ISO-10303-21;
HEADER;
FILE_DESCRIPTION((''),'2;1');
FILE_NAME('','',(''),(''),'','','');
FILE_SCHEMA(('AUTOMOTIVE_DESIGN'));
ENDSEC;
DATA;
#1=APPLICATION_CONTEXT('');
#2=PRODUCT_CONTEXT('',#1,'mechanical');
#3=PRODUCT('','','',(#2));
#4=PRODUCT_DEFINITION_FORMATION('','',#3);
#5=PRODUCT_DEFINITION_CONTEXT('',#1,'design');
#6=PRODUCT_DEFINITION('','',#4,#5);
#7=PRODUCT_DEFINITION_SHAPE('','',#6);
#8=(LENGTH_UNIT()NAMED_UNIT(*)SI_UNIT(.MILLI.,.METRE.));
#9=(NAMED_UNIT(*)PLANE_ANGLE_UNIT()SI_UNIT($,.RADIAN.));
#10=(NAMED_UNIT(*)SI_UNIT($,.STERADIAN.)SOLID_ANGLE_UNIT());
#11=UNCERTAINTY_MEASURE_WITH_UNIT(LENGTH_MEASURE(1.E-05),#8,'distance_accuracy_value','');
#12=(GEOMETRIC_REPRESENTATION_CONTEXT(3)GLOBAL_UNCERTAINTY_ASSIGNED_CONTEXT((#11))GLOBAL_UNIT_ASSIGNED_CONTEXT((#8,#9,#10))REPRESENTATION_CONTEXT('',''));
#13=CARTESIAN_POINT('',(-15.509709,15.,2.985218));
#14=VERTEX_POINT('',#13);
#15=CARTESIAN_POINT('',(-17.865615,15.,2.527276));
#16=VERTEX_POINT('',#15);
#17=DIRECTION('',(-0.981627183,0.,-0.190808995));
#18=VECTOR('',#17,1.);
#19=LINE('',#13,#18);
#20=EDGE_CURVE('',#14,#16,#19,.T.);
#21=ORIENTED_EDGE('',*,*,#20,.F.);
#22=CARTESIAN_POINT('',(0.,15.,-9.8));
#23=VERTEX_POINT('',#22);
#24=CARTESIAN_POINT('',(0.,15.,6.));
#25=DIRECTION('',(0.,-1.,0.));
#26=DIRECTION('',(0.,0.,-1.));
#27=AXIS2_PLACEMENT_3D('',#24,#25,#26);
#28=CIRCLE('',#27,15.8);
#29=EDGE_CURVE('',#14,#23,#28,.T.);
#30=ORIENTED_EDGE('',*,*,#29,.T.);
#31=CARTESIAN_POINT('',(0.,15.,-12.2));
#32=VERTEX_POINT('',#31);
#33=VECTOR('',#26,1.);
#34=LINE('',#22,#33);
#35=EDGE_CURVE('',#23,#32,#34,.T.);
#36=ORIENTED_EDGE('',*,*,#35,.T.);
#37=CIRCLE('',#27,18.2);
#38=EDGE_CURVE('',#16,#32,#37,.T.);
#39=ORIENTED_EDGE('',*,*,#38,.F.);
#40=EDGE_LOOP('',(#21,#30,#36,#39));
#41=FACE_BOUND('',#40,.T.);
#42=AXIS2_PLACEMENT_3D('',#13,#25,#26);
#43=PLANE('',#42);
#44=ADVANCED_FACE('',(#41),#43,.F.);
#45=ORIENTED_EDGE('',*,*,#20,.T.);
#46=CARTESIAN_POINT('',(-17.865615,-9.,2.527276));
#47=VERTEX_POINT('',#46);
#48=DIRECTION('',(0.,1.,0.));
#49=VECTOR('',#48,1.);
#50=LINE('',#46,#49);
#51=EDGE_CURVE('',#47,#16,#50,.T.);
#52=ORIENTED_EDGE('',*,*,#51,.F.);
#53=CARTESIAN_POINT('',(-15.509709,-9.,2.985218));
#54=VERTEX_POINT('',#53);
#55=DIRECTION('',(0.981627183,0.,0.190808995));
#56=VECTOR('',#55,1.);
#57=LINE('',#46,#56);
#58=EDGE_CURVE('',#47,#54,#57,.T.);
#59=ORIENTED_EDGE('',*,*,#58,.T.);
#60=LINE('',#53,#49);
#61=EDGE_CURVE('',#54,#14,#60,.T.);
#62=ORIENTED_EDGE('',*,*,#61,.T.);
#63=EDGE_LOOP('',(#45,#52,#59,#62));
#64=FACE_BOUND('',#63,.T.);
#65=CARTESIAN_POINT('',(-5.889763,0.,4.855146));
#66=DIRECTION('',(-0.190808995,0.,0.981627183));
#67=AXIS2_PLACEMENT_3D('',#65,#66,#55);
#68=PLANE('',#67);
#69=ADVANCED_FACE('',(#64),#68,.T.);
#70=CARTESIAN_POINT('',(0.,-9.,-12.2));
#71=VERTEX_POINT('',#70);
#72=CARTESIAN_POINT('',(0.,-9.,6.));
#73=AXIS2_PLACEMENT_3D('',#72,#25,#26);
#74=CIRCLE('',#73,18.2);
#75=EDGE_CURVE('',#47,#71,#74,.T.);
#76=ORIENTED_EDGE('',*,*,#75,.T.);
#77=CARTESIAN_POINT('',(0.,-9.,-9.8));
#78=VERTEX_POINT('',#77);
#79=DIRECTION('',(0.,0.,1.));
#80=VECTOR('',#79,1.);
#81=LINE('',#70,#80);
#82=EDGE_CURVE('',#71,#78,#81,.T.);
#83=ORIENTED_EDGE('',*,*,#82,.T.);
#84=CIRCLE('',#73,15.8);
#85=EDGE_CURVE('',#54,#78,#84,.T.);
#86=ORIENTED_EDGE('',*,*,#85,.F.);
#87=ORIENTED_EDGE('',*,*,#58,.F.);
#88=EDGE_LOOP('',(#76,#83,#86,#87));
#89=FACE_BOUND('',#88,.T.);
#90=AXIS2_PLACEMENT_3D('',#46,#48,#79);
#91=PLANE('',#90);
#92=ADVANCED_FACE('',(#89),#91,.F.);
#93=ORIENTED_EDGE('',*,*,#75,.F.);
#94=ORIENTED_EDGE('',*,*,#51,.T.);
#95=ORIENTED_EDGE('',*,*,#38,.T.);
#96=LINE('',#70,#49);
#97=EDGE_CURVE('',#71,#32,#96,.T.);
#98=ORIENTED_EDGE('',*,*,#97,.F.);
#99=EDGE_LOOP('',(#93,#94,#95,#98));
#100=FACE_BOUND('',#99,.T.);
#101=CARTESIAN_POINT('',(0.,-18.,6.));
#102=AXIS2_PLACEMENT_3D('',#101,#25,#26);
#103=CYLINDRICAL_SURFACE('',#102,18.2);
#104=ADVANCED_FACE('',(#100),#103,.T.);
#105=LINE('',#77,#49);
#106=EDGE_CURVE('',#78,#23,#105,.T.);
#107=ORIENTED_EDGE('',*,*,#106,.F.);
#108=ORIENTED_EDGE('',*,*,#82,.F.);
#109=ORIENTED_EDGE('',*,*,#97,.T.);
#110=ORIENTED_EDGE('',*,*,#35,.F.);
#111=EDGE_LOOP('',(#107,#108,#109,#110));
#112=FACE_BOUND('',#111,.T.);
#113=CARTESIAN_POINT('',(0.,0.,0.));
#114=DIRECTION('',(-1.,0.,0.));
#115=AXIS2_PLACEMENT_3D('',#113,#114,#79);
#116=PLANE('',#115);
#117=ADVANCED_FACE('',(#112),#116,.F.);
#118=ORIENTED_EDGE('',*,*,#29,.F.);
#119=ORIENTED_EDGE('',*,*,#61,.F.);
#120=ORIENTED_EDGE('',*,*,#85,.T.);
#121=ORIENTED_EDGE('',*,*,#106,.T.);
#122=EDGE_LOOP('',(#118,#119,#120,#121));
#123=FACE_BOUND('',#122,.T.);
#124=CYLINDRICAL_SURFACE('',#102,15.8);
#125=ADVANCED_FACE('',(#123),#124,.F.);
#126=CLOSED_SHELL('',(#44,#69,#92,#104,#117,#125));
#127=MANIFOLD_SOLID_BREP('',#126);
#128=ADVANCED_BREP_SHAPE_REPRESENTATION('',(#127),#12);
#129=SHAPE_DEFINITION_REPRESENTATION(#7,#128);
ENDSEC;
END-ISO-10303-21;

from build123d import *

# Parameters (mm, degrees)
REVOLVESKETCH_W       = 2.4
REVOLVESKETCH_H       = 24
THINBOSSREVOLVE_ANGLE = 79


with BuildPart() as part:
    # RevolveSketch → ThinBossRevolve (revolve)
    with BuildSketch(Plane(origin=(0, 0, 0), x_dir=(0, 0, -1), z_dir=(1, 0, 0))):
        with Locations((11, 3)):
            Rectangle(REVOLVESKETCH_W, REVOLVESKETCH_H)
    revolve(axis=Axis((0, -18, 6), (0, 1, 0)), revolution_arc=THINBOSSREVOLVE_ANGLE)


solid = part.part
